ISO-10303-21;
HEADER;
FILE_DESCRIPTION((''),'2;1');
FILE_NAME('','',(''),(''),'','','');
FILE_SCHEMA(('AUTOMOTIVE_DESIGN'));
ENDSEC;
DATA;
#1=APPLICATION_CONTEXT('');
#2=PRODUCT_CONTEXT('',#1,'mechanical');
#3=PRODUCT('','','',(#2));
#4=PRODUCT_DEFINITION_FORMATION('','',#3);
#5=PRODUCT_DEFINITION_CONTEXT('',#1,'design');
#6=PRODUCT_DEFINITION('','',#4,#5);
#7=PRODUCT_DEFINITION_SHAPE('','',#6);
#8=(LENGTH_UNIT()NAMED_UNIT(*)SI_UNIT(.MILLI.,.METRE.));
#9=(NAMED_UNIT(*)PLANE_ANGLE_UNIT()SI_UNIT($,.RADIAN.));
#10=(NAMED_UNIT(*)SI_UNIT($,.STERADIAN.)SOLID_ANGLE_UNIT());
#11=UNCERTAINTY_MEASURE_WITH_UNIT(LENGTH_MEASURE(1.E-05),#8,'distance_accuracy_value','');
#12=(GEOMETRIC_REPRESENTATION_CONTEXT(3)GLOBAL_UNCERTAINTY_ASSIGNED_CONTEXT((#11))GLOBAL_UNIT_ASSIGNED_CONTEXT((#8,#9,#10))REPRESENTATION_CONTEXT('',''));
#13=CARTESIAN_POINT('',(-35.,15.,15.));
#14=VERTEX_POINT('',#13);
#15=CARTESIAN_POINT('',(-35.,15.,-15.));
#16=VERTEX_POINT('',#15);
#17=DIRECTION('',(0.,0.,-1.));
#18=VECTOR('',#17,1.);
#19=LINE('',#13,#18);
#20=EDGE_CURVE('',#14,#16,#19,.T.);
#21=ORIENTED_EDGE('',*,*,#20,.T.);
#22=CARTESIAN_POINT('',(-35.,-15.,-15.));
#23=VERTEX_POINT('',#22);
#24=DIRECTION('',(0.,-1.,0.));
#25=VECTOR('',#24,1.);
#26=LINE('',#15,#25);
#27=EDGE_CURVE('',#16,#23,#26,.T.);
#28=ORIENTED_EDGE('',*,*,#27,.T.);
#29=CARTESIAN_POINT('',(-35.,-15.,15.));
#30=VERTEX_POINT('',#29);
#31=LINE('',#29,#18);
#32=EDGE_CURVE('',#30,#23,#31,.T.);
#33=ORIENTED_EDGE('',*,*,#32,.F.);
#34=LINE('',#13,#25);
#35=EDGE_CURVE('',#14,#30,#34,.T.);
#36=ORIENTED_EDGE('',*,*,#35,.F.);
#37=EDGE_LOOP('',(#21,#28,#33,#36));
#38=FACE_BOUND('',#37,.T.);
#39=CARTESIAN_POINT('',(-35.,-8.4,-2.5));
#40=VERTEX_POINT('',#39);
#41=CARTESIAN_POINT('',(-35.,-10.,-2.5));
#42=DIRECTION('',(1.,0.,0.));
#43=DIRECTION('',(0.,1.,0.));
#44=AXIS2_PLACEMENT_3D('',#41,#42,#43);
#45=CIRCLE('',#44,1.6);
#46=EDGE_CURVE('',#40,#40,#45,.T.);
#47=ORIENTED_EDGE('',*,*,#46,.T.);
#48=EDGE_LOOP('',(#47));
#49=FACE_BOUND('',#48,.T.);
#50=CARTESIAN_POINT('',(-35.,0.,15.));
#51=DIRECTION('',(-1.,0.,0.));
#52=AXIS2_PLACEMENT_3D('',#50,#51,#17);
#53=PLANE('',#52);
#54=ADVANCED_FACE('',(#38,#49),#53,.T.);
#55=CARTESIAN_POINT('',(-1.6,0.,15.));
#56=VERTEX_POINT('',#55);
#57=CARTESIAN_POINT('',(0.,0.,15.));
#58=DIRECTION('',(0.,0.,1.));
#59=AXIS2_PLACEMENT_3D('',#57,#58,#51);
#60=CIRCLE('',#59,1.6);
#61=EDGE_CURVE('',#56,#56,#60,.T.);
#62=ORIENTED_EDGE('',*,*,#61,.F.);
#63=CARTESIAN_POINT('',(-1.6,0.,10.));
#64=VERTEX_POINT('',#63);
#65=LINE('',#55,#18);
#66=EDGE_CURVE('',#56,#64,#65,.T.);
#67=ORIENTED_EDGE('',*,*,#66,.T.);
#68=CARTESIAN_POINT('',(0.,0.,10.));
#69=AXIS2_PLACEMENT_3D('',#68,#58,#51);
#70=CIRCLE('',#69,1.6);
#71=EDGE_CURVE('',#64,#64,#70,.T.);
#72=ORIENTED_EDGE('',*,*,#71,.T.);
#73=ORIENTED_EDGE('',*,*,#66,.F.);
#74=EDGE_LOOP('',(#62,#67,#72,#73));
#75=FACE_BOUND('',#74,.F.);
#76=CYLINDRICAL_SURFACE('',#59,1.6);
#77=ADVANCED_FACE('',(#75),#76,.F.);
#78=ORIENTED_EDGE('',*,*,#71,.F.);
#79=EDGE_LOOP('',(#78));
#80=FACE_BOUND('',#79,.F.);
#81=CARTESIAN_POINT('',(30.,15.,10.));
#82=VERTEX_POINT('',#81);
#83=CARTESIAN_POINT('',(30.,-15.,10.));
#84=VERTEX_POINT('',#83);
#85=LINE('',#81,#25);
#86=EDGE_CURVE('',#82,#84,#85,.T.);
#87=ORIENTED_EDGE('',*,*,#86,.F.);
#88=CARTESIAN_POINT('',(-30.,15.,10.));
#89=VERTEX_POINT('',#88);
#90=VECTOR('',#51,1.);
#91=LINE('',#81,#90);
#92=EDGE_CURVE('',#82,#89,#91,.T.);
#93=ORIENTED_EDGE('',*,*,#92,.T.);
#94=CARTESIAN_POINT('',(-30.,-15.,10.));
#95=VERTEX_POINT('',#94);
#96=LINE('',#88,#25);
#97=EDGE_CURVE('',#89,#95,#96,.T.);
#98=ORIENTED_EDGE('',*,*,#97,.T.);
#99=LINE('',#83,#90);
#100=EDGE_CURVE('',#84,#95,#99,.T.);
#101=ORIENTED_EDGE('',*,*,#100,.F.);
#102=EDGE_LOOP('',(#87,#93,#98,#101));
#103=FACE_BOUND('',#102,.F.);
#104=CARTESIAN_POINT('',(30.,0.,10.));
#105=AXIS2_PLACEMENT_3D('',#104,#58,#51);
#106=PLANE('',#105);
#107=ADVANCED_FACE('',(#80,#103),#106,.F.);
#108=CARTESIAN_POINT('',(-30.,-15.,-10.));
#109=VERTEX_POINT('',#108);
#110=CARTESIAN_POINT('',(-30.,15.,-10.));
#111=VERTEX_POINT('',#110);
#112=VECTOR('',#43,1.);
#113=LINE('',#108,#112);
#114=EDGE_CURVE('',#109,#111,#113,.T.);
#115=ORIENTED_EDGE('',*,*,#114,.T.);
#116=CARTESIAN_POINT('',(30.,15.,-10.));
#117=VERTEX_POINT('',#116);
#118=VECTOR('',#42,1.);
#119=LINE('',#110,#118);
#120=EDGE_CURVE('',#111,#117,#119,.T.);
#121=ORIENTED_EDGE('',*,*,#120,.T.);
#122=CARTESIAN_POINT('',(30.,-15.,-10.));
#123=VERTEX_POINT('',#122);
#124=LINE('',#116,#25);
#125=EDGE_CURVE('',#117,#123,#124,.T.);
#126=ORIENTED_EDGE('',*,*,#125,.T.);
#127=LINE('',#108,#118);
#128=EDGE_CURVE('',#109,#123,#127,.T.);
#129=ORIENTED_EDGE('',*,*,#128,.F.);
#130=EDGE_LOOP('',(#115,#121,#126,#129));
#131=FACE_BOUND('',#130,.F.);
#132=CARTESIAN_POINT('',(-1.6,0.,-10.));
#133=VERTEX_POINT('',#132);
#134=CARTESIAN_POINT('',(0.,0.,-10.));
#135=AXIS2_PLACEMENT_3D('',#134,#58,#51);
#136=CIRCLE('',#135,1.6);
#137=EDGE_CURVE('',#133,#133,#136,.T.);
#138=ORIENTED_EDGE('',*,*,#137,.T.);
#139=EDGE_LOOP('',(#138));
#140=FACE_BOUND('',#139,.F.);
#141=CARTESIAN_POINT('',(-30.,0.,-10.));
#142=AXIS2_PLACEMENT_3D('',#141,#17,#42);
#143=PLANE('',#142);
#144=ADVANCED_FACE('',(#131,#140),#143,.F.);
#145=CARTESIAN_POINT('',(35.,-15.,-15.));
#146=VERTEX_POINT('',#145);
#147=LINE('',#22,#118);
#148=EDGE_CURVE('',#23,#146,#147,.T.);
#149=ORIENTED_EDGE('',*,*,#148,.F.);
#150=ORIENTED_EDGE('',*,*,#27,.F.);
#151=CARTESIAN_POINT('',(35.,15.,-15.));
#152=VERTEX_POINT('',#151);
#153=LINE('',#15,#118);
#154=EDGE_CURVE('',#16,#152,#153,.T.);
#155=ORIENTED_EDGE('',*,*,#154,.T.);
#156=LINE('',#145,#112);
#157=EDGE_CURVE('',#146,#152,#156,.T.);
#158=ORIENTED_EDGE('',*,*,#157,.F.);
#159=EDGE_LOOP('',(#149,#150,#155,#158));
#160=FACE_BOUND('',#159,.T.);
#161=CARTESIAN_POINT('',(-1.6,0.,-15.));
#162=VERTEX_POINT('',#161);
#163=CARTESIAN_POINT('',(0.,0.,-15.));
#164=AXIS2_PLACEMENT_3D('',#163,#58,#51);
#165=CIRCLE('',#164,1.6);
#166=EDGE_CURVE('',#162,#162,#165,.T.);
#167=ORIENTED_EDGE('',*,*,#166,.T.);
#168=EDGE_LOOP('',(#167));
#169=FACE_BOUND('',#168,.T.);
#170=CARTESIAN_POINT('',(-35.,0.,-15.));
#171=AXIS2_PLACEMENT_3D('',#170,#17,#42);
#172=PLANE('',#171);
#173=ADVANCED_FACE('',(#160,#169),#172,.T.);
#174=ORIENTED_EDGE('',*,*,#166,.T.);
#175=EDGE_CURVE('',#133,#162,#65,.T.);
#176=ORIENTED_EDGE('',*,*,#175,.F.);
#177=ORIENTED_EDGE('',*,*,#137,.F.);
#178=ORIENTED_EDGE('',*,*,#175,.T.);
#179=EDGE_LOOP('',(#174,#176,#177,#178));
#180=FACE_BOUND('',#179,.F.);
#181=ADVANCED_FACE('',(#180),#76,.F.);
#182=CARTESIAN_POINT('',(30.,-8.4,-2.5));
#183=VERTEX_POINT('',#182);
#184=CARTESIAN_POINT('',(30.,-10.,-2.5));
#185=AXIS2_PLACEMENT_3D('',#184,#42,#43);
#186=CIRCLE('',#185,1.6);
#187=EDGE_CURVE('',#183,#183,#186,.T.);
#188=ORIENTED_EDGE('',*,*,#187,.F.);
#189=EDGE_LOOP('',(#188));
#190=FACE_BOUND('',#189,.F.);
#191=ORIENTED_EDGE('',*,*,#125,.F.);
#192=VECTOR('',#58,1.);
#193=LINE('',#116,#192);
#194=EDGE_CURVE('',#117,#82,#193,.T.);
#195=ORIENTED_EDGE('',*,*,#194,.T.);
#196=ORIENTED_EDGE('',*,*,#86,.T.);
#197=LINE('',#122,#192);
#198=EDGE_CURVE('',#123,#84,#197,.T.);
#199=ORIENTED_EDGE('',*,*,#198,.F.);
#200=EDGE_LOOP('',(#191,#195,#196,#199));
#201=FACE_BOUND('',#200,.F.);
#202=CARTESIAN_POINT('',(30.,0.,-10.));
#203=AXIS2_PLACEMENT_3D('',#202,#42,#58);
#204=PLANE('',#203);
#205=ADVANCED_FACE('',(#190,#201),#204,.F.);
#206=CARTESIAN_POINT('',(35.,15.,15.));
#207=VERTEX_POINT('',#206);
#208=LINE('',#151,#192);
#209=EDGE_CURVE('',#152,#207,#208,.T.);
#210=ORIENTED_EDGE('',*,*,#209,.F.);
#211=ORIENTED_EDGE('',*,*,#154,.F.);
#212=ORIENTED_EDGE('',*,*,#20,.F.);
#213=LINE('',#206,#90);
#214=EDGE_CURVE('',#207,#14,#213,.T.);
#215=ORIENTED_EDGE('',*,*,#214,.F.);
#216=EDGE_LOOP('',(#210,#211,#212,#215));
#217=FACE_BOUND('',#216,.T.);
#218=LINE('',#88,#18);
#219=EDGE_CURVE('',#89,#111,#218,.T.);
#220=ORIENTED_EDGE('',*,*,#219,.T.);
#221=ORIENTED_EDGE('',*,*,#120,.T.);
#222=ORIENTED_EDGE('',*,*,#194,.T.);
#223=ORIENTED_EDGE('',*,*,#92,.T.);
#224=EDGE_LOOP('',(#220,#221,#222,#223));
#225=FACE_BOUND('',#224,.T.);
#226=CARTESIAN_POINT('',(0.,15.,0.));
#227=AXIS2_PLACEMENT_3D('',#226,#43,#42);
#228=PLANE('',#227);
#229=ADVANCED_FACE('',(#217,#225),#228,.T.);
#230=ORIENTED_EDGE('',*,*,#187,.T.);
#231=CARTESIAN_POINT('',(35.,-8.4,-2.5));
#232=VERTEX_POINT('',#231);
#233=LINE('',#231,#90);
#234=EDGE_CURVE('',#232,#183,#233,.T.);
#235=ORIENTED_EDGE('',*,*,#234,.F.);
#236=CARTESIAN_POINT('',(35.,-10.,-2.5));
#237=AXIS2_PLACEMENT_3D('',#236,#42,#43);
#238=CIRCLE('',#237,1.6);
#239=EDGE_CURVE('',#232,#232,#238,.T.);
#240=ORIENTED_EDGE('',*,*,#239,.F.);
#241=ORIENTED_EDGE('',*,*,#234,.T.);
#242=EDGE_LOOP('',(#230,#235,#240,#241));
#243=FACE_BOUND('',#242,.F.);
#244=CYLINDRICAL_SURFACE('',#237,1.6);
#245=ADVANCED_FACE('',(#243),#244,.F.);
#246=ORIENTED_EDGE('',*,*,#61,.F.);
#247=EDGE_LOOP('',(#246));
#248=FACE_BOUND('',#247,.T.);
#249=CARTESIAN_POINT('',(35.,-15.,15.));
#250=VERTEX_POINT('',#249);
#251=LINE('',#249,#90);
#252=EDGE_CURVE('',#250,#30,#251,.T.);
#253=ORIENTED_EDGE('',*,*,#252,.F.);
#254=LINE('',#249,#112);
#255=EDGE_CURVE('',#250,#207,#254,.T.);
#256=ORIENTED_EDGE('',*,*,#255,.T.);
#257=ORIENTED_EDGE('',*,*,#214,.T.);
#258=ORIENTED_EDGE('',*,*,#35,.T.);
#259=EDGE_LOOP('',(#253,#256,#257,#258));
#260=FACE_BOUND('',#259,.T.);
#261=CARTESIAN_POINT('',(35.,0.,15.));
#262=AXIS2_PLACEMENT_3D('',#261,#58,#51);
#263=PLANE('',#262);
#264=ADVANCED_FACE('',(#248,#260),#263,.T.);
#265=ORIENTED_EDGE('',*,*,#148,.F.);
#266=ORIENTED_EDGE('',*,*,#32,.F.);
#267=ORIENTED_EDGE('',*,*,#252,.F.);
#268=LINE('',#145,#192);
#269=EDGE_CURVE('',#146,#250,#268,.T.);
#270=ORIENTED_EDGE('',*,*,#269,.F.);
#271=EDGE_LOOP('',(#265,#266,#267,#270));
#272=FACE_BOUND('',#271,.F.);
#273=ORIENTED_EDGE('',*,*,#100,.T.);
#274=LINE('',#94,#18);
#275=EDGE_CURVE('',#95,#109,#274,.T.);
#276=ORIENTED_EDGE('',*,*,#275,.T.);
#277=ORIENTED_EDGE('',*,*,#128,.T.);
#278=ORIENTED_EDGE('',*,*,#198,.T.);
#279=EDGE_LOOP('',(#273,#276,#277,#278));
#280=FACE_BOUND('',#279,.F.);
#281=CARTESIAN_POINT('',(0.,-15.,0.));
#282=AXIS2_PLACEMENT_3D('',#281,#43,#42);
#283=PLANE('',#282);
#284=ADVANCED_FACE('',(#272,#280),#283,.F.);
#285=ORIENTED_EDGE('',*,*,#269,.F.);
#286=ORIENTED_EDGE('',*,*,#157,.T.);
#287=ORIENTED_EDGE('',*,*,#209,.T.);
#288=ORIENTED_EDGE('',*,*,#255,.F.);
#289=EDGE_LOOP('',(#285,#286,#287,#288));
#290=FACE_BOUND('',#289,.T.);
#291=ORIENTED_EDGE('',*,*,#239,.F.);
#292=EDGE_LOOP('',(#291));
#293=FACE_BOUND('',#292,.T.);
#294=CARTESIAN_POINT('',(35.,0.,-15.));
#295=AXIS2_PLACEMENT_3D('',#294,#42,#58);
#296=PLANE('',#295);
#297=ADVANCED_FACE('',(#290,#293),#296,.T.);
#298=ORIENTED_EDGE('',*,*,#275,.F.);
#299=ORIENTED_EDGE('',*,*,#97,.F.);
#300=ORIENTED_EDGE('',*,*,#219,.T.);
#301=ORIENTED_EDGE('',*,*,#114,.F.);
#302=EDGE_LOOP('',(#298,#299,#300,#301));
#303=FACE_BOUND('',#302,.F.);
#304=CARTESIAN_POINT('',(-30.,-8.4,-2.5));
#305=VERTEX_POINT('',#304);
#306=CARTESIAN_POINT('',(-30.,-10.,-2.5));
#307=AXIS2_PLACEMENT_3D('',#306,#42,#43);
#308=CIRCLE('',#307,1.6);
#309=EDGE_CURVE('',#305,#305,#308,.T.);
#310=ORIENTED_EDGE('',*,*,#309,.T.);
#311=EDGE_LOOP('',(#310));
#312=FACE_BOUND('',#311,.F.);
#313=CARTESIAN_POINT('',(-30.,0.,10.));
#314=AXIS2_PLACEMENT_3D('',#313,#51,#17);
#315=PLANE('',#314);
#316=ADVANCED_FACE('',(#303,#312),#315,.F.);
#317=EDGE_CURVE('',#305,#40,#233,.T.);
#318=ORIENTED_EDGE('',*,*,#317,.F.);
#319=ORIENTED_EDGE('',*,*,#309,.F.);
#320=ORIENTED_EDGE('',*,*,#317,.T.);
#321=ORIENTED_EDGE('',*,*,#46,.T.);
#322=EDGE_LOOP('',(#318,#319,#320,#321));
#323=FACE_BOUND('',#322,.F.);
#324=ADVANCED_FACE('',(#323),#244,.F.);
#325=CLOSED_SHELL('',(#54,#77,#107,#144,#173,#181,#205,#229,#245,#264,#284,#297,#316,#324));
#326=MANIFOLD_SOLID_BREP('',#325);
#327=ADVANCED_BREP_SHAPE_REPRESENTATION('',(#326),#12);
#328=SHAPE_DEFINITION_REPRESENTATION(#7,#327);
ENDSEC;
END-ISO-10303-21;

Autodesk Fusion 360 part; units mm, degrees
sketch "Sketch1" plane through (0, 0, 0) normal (0, 1, 0) x (1, 0, 0)
  line L0 (35, -15) -> (-35, -15)
  line L1 (-35, -15) -> (-35, 15)
  line L2 (-35, 15) -> (35, 15)
  line L3 (35, 15) -> (35, -15)
  line L4 (35, -15) -> (-35, 15) construction
  line L5 (-35, -15) -> (35, 15) construction
  line L6 (-30, 10) -> (30, 10)
  line L7 (30, 10) -> (30, -10)
  line L8 (30, -10) -> (-30, -10)
  line L9 (-30, -10) -> (-30, 10)
  dimension "d1" = 70
  dimension "d2" = 30
  dimension "d3" = 5
extrude "Extrude1" add sketch "Sketch1" along normal mid plane 30
sketch "Sketch2" plane through (35, 0, 0) normal (1, 0, 0) x (0, 1, 0)
  line L0 (-15, -15) -> (15, -15)
  line L1 (15, -15) -> (15, 15)
  line L2 (15, 15) -> (-15, 15)
  line L3 (-15, 15) -> (-15, -15)
  circle A0 centre (-10, -2.5) radius 1.6
  dimension "d6" = 3.2
  dimension "d7" = 12.5
  dimension "d8" = 5
extrude "Extrude2" cut sketch "Sketch2" against normal blind 76 contours A0
sketch "Sketch3" plane through (0, 0, 15) normal (0, 0, 1) x (-1, 0, 0)
  line L0 (-35, 15) -> (-35, -15)
  line L1 (-35, -15) -> (35, -15)
  line L2 (35, -15) -> (35, 15)
  line L3 (35, 15) -> (-35, 15)
  circle A0 centre (0, 0) radius 1.6
  dimension "d11" = 3.2
extrude "Extrude3" cut sketch "Sketch3" against normal blind 41 contours A0
equation "d7 = ( 25 / 2 ) * 1 mm"
